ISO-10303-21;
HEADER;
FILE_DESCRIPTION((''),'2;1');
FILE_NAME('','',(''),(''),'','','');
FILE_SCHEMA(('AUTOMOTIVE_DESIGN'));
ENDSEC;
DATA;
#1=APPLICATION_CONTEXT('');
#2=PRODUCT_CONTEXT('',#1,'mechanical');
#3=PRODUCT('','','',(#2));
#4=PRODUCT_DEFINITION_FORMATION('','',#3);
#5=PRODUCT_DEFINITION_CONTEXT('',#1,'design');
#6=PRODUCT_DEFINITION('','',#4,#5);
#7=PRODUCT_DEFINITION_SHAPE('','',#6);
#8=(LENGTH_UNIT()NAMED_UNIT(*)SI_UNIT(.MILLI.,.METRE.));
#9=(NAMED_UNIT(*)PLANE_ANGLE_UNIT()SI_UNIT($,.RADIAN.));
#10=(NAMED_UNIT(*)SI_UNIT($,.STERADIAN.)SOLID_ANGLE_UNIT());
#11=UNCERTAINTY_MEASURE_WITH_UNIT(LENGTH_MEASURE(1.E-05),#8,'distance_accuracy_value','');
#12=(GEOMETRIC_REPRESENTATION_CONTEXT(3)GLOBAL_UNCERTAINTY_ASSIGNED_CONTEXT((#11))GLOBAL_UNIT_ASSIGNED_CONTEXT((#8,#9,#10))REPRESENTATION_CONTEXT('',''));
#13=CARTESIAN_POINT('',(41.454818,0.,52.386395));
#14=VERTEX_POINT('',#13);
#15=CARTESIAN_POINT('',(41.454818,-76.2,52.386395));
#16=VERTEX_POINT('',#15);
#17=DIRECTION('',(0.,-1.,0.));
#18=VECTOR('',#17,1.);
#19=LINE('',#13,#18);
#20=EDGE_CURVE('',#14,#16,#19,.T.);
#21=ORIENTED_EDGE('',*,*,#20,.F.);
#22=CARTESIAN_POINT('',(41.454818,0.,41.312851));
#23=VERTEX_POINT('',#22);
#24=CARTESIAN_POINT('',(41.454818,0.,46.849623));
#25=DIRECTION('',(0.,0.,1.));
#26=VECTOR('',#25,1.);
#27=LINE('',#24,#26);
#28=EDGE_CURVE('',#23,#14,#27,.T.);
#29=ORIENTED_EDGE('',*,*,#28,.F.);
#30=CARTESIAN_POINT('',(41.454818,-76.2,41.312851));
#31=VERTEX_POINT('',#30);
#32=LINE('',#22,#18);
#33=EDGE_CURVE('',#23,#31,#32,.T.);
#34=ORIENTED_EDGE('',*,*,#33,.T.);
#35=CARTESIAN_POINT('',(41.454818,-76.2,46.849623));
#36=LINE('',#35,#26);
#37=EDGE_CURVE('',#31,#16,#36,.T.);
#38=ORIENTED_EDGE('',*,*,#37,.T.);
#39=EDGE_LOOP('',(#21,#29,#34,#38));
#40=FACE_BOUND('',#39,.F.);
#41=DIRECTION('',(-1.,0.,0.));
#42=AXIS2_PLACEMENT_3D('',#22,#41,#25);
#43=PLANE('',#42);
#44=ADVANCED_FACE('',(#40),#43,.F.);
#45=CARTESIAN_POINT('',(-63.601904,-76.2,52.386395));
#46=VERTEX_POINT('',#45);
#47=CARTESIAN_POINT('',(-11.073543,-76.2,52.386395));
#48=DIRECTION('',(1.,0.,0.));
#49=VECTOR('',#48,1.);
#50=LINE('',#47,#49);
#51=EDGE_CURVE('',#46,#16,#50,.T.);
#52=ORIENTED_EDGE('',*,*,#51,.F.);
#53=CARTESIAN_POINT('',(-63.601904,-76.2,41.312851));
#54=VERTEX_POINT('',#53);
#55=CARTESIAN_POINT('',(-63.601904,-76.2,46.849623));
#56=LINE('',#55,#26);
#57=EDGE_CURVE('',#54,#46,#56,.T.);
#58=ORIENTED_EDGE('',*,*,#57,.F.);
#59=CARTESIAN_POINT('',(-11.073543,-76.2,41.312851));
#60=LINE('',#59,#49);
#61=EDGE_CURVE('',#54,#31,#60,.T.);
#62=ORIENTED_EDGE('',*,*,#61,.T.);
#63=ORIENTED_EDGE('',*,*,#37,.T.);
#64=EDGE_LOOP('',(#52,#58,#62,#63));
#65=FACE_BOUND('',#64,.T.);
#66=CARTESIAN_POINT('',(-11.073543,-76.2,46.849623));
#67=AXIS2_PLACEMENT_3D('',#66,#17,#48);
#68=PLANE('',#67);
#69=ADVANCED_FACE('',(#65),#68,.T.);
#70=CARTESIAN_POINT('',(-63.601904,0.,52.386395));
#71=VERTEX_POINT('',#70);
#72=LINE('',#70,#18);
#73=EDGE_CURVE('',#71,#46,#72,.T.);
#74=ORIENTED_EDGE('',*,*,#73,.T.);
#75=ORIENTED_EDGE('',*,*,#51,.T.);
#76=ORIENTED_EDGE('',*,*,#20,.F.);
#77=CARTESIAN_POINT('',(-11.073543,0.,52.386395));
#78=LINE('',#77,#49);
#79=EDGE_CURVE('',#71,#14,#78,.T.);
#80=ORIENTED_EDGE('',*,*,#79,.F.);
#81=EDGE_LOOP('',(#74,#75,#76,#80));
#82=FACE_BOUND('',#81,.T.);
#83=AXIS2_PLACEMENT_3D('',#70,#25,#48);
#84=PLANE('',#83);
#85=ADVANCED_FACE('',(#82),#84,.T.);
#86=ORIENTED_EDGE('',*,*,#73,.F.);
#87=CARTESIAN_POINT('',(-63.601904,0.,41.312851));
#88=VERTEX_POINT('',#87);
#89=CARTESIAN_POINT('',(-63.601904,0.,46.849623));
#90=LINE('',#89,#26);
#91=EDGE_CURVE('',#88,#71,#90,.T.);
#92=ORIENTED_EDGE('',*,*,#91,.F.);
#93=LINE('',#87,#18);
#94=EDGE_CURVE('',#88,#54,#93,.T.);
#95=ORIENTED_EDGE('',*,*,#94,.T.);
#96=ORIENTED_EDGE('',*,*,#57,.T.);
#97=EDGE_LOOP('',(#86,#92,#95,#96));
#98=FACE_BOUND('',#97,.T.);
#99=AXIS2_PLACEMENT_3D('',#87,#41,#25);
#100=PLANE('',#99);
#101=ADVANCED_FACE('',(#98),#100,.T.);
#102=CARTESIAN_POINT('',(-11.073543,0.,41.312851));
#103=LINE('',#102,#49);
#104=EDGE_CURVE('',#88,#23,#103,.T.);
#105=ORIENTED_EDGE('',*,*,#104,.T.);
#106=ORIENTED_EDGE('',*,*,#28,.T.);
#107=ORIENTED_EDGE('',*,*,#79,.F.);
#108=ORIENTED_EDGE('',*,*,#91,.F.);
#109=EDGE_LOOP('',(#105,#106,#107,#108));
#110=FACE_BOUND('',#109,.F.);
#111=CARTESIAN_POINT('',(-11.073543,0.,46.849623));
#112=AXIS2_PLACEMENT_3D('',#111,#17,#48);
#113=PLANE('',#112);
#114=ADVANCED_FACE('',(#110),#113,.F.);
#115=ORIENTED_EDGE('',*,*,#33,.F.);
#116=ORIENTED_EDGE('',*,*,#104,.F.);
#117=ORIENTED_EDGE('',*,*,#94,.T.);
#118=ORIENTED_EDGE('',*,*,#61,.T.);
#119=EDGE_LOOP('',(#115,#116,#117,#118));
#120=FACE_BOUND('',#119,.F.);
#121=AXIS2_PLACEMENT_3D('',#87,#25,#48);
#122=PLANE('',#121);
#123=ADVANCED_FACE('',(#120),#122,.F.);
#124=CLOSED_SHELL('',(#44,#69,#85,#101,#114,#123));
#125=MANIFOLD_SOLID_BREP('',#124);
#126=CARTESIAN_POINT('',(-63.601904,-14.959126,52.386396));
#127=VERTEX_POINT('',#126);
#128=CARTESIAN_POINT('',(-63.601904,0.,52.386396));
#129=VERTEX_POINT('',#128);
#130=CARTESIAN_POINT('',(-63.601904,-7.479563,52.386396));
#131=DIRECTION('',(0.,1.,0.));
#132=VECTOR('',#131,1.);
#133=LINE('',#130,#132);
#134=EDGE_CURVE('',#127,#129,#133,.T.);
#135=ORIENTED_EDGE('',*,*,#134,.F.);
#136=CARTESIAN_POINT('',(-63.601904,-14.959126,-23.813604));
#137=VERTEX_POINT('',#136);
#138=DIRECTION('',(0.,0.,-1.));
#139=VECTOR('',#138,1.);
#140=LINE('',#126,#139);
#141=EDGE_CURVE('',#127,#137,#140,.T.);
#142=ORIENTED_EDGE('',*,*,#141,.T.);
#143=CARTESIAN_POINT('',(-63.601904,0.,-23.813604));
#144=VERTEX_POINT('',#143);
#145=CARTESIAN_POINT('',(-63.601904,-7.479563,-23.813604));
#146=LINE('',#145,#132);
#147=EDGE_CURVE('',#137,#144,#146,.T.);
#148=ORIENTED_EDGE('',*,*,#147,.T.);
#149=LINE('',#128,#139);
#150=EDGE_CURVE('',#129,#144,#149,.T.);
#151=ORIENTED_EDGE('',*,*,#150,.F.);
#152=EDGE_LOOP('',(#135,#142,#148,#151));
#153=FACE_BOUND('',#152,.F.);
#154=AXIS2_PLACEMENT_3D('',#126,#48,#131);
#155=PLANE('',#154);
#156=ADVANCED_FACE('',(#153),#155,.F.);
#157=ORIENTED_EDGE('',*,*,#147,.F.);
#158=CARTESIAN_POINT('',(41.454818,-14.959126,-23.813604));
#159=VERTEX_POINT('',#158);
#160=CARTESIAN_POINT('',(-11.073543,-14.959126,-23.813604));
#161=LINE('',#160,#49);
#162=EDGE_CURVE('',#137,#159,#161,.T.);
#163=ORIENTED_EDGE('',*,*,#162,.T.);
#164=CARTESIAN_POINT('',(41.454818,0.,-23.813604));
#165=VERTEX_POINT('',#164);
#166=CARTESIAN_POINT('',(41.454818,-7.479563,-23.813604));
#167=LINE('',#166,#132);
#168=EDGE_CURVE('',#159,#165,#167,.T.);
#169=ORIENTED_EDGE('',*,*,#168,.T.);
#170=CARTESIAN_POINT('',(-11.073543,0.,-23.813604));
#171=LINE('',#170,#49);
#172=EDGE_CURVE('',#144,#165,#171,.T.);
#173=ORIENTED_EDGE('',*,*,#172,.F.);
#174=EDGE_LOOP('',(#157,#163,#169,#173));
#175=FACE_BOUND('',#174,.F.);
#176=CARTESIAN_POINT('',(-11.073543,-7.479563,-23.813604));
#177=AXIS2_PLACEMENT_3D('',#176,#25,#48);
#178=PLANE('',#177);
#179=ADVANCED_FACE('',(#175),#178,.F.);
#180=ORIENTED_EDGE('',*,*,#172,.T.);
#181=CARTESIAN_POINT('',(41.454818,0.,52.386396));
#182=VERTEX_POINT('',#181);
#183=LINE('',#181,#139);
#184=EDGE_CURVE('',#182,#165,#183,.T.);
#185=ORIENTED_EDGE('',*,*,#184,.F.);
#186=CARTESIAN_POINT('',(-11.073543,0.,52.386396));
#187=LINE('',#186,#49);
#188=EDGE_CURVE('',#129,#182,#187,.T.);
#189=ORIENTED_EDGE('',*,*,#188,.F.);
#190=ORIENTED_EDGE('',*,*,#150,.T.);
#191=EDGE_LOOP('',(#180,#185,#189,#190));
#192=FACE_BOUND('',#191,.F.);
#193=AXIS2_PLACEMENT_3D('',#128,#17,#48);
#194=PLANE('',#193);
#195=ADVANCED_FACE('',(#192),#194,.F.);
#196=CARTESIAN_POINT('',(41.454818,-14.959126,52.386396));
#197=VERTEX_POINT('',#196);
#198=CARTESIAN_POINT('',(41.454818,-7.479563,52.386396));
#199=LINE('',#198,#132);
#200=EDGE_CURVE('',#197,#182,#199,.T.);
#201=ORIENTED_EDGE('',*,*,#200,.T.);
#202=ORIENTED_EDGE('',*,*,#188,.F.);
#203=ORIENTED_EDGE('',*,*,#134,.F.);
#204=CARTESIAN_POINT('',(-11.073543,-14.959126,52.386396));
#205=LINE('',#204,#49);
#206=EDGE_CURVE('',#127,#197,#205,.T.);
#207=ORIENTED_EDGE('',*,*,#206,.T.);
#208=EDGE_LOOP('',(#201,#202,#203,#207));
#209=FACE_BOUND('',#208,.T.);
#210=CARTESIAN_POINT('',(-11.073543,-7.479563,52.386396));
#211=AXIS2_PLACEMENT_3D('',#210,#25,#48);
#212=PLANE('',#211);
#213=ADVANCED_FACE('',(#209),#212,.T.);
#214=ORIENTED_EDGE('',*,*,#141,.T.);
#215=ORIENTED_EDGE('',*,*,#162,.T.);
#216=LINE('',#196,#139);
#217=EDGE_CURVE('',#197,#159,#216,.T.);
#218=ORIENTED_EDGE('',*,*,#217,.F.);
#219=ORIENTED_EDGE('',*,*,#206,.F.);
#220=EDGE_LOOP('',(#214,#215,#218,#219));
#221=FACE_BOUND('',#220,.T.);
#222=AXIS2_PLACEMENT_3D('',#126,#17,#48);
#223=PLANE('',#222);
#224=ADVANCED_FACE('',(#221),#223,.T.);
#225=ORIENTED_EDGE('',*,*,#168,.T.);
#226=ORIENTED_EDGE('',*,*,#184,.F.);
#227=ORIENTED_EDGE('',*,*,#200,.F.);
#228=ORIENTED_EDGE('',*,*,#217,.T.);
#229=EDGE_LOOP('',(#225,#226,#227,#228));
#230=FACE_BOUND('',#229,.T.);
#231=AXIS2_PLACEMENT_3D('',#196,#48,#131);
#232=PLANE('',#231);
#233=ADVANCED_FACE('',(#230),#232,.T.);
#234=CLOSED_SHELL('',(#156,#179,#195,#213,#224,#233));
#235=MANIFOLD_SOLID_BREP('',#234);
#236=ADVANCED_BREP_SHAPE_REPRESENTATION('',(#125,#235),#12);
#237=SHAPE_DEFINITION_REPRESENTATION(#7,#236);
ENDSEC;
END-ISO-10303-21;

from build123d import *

# Parameters (mm, degrees)
F0_W     = 105.056722
F0_H     = 11.073545
F1_DEPTH = 76.2
F2_W     = 105.056722
F2_H     = 14.959126
F3_DEPTH = 76.2


with BuildPart() as f1:
    # F0 (on Front) → F1 (new body)
    with BuildSketch(Plane.XZ):
        with Locations((-11.073543, 46.849623)):
            Rectangle(F0_W, F0_H)
    extrude(amount=F1_DEPTH)


with BuildPart() as f3:
    # F2 (on face) → F3 (new body)
    with BuildSketch(Plane.XY.offset(52.386396)):
        with Locations((-11.073543, -7.479563)):
            Rectangle(F2_W, F2_H)
    extrude(amount=-F3_DEPTH)


solid = Compound([f1.part, f3.part])
